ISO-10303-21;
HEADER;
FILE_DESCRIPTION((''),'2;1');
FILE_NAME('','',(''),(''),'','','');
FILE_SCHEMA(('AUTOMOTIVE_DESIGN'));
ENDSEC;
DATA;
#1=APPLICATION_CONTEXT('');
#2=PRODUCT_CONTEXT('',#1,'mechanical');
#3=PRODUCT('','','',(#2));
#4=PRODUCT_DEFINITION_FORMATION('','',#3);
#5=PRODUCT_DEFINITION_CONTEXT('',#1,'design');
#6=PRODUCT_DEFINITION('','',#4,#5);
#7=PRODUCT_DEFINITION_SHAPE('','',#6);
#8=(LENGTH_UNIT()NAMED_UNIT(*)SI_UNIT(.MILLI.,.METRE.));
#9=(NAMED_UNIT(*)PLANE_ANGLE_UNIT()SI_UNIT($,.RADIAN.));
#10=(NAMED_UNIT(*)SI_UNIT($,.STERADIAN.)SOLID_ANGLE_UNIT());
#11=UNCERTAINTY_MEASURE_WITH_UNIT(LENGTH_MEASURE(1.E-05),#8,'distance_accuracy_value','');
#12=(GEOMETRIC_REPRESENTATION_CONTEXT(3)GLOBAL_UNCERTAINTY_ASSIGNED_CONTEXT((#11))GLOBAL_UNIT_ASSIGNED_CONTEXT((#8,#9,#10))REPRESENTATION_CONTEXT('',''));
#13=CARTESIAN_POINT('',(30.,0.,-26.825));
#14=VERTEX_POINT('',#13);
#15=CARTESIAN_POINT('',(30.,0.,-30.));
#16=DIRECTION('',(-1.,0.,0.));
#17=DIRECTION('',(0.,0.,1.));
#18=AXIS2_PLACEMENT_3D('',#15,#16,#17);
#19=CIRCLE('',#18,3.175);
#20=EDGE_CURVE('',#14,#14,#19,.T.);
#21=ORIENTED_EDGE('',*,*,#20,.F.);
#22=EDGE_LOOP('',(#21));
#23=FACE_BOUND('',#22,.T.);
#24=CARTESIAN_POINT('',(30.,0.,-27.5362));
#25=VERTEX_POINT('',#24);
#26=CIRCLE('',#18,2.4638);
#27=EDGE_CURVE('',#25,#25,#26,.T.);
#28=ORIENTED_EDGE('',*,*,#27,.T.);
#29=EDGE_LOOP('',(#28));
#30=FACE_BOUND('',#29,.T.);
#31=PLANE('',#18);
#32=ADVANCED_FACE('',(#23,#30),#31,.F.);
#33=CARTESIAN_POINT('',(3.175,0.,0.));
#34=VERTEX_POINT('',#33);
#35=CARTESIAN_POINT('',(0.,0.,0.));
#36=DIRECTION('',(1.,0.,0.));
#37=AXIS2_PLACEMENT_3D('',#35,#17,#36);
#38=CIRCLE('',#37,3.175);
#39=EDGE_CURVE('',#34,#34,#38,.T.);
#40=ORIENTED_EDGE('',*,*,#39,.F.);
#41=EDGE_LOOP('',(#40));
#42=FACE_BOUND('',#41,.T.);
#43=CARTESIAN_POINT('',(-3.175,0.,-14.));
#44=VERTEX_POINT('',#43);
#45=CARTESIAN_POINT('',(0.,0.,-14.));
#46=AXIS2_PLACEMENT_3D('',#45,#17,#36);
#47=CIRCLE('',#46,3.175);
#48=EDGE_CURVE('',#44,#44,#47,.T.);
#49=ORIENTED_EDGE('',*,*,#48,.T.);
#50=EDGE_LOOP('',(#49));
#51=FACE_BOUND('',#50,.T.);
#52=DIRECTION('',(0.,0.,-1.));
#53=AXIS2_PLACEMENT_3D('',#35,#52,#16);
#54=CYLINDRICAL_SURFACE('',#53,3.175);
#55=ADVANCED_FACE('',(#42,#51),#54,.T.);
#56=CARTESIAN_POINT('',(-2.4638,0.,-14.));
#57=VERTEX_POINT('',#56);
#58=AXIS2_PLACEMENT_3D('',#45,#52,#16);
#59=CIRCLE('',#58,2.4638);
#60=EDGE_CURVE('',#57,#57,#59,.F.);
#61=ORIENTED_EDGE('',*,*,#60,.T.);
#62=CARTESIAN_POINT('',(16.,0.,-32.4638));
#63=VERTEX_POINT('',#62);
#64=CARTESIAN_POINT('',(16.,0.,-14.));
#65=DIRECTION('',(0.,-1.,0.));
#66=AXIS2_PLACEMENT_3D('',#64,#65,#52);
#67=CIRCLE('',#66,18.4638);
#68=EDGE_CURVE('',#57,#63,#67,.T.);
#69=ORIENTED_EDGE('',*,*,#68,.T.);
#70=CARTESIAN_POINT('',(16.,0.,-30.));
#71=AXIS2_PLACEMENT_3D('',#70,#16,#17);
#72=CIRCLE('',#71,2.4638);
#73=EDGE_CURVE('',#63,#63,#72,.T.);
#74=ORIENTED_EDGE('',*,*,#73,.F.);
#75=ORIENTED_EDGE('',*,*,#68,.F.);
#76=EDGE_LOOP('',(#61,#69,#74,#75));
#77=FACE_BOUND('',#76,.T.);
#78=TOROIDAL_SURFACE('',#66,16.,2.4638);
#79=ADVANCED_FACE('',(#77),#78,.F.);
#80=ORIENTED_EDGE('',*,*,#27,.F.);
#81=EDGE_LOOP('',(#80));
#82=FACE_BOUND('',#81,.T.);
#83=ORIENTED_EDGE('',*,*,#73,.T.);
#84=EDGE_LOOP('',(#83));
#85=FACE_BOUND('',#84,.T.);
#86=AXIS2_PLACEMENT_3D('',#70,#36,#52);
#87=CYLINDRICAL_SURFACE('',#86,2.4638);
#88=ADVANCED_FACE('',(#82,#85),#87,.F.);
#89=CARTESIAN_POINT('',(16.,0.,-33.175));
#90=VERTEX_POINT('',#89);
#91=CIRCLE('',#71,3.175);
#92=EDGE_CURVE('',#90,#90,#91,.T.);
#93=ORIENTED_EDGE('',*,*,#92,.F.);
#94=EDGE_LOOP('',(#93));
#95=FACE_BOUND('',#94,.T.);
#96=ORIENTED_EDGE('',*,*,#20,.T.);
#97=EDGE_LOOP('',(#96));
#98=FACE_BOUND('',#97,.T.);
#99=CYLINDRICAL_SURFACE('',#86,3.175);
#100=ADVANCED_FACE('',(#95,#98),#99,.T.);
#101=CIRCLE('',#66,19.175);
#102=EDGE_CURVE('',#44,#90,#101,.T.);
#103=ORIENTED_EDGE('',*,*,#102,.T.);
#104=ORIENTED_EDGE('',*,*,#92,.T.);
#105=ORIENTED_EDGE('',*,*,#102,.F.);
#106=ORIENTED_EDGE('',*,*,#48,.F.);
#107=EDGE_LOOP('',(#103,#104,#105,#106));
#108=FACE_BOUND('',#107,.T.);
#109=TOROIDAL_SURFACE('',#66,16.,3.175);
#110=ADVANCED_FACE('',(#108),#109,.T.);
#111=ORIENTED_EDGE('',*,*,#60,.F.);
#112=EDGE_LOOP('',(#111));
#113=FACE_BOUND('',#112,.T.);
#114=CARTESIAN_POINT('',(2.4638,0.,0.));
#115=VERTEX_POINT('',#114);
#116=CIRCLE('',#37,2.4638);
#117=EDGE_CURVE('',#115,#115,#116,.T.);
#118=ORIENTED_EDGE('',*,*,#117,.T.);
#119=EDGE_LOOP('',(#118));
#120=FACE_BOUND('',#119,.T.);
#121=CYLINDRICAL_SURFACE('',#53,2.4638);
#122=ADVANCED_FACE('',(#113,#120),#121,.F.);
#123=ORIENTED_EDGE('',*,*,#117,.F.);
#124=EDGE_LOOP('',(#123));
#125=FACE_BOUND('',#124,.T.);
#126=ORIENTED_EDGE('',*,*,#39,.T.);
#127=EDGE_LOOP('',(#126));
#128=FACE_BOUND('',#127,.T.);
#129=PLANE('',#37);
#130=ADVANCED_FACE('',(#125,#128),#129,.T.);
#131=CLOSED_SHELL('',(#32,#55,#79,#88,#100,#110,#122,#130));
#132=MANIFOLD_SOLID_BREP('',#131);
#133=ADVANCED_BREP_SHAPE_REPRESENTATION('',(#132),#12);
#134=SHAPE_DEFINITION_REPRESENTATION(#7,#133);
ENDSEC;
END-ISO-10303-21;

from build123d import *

# Parameters (mm, degrees)
SKETCH2_R   = 3.175
SKETCH2_R_2 = 2.4638


with BuildPart() as part:
    # Sweep-Thin1: sweep along a path in Sketch1
    with BuildLine(Plane(origin=(0, 0, 0), x_dir=(1, 0, 0), z_dir=(0, 1, 0))) as sweep_thin1_path:
        Line((0, 0), (0, 14))
        ThreePointArc((0, 14), (4.686291501, 25.313708499), (16, 30))
        Line((16, 30), (17.2, 30))
        Line((17.2, 30), (30, 30))
    # Sketch2 → Sweep-Thin1 (sweep)
    with BuildSketch(Plane.XY):
        Circle(SKETCH2_R)
        Circle(SKETCH2_R_2, mode=Mode.SUBTRACT)
    sweep(path=sweep_thin1_path.line)


solid = part.part
